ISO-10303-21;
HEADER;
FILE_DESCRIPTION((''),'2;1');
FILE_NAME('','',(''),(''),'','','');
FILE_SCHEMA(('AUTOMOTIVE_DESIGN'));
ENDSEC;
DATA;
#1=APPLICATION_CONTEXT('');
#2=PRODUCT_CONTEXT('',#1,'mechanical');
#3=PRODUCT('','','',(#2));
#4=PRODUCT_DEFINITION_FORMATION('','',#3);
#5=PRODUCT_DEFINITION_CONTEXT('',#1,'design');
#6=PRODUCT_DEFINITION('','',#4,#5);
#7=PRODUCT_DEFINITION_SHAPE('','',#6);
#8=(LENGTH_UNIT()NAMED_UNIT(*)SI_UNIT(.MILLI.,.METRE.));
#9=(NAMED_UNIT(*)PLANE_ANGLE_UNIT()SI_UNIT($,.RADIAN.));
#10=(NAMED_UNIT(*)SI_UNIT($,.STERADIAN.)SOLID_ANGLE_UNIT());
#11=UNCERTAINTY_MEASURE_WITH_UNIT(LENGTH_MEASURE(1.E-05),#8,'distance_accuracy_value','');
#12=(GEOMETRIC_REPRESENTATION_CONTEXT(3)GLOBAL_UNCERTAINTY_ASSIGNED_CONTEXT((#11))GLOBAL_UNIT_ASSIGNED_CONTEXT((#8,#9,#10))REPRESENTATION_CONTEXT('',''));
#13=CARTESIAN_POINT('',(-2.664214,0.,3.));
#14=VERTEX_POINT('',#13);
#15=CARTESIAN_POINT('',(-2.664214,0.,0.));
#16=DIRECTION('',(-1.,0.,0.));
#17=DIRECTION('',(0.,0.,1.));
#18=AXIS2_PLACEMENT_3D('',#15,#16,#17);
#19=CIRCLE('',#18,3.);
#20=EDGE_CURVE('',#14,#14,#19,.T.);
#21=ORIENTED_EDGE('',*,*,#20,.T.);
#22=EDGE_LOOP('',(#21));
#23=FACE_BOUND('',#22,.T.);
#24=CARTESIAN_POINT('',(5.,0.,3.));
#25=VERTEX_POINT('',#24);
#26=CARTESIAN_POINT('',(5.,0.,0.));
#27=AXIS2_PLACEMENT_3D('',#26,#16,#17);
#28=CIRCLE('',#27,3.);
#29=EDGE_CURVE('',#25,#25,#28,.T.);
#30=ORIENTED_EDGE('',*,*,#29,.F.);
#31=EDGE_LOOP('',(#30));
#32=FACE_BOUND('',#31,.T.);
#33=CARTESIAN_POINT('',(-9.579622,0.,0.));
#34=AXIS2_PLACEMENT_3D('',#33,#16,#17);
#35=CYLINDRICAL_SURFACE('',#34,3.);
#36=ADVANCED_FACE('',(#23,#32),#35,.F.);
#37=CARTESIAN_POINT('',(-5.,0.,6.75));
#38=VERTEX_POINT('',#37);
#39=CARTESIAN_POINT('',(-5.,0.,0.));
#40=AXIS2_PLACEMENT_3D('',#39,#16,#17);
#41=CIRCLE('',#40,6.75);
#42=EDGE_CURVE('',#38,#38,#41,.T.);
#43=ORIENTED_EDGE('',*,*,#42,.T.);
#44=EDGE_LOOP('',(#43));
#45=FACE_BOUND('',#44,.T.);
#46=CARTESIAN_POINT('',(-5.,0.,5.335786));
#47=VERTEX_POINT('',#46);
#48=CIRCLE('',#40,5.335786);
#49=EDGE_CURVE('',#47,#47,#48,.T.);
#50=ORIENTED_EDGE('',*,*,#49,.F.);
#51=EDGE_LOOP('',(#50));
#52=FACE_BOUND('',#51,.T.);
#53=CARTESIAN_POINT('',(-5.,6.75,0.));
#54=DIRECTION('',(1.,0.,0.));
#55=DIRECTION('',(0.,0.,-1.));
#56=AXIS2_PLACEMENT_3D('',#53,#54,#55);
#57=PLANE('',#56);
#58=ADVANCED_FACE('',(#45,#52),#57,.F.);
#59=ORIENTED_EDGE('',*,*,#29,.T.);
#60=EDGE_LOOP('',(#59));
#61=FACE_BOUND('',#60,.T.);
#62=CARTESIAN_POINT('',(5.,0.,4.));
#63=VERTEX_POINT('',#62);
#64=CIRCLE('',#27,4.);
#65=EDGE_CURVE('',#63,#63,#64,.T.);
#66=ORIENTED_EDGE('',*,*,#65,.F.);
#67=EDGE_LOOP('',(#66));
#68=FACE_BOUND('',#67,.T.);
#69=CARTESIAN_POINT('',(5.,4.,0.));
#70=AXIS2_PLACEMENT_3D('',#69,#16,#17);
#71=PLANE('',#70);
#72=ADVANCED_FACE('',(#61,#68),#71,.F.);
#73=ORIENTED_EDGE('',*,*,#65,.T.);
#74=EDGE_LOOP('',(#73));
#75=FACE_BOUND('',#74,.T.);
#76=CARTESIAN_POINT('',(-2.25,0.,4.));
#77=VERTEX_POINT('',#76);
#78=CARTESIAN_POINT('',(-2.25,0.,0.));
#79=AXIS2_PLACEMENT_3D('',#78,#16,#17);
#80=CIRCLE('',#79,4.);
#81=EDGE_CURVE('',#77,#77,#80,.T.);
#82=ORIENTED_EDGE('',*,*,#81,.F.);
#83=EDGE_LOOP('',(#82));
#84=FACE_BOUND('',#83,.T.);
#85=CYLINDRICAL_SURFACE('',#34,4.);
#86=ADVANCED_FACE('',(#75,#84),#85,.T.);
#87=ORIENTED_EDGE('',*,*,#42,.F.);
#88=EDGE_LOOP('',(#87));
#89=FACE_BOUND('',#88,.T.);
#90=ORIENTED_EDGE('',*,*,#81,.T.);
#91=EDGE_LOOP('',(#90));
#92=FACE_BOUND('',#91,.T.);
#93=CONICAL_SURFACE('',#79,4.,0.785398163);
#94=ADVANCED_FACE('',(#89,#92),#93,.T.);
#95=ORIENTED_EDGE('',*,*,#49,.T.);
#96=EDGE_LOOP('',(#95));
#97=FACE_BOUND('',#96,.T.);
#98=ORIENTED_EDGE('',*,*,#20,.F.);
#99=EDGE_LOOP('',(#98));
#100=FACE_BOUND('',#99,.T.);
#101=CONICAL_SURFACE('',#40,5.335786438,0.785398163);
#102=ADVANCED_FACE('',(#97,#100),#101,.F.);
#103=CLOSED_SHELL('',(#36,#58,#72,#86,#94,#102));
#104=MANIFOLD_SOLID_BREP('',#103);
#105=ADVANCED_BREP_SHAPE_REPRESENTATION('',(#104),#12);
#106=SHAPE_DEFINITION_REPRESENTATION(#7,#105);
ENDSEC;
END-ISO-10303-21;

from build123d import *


with BuildPart() as part:
    # Sketch1 → Revolve1 (revolve)
    with BuildSketch(Plane.XY):
        Polygon((5, 4), (-2.25, 4), (-5, 6.75), (-5, 5.335786438), (-2.664213562, 3), (5, 3), align=None)
    revolve(axis=Axis((-9.579622459, 0, 0), (1, 0, 0)))


solid = part.part
